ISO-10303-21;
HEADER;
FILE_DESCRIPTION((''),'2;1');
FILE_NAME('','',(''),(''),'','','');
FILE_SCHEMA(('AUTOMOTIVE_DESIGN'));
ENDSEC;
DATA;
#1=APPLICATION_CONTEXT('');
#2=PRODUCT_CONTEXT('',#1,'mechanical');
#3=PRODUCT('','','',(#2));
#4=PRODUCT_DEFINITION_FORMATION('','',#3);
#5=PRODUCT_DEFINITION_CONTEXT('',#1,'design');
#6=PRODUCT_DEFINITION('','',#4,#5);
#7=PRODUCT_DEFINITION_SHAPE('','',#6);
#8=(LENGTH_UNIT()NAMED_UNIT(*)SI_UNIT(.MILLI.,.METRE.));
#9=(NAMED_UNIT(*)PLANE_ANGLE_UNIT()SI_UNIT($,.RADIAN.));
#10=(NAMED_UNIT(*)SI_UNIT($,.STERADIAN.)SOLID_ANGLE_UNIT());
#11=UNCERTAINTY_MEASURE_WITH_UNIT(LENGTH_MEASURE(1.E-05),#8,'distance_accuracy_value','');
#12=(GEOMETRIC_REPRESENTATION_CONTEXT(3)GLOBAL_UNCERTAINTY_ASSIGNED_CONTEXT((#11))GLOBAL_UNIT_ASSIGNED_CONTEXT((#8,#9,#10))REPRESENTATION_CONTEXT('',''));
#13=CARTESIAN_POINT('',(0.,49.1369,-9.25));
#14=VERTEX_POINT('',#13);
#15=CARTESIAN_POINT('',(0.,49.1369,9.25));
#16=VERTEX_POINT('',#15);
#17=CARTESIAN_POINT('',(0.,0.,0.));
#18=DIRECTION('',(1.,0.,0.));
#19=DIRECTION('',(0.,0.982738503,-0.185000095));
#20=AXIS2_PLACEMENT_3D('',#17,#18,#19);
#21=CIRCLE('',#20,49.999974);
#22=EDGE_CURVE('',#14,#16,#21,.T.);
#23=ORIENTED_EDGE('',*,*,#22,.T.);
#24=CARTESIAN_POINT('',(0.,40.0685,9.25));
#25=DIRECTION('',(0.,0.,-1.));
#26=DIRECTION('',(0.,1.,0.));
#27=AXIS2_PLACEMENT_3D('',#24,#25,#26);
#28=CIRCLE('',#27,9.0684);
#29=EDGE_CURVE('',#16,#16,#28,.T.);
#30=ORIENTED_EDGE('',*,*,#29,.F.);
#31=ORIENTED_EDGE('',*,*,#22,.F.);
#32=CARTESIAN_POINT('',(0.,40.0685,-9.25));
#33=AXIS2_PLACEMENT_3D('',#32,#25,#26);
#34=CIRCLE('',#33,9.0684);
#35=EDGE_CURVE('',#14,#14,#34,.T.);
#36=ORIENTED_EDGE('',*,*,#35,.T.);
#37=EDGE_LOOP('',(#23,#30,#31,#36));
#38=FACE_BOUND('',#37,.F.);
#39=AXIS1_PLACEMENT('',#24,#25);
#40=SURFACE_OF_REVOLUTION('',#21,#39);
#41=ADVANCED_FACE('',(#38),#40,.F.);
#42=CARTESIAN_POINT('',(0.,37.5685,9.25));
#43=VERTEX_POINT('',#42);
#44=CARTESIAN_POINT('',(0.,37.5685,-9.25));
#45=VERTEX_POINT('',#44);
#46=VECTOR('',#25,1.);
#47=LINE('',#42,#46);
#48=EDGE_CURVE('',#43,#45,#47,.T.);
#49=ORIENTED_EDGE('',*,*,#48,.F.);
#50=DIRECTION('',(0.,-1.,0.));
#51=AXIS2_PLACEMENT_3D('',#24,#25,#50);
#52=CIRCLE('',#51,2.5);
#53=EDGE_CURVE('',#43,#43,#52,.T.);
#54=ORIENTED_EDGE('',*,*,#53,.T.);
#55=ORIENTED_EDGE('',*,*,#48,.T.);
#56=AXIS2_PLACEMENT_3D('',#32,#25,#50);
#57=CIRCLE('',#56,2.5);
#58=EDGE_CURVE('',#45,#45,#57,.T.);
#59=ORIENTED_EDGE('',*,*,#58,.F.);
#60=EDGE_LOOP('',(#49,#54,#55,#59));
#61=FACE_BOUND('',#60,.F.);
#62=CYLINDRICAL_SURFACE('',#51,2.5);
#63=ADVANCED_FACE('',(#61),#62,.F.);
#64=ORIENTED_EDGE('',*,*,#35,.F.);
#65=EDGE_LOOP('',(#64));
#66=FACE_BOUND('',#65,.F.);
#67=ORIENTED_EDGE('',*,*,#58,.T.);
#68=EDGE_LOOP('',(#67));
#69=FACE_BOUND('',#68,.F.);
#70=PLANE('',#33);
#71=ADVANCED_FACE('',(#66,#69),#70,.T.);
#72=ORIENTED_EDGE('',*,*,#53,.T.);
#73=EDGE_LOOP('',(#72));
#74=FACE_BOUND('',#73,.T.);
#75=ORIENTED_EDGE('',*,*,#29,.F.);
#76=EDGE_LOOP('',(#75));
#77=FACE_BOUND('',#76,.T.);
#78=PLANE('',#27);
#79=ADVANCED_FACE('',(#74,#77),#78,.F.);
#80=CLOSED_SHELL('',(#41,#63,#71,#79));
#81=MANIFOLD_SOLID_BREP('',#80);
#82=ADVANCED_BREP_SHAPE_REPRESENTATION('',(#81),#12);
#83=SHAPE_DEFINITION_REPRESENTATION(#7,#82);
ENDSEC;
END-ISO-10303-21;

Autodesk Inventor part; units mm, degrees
ref_plane "YZ Plane" through (0, 0, 0) normal (1, 0, 0) x (0, 1, 0)
ref_plane "XZ Plane" through (0, 0, 0) normal (0, 1, 0) x (-1, 0, 0)
ref_plane "XY Plane" through (0, 0, 0) normal (0, 0, 1) x (1, 0, 0)
sketch "Sketch1" plane through (0, 0, 0) normal (1, 0, 0) x (0, 1, 0)
  arc A0 (49.1369, -9.25) -> (49.1369, 9.25) centre (0, 0) ccw
  line L0 (40.0685, 9.25) -> (49.1369, 9.25)
  line L1 (40.0685, -9.25) -> (49.1369, -9.25)
  line L2 (40.0685, 9.25) -> (40.0685, -9.25)
revolve "Revolution1" add sketch "Sketch1" angle 360 about axis through (0, 40.0685, 9.25) along (0, 0, -1)
hole "Hole1" at (0, 40.0685, 9.25) direction (0, 0, -1) diameter 5 end through all
properties part number "Roller"
